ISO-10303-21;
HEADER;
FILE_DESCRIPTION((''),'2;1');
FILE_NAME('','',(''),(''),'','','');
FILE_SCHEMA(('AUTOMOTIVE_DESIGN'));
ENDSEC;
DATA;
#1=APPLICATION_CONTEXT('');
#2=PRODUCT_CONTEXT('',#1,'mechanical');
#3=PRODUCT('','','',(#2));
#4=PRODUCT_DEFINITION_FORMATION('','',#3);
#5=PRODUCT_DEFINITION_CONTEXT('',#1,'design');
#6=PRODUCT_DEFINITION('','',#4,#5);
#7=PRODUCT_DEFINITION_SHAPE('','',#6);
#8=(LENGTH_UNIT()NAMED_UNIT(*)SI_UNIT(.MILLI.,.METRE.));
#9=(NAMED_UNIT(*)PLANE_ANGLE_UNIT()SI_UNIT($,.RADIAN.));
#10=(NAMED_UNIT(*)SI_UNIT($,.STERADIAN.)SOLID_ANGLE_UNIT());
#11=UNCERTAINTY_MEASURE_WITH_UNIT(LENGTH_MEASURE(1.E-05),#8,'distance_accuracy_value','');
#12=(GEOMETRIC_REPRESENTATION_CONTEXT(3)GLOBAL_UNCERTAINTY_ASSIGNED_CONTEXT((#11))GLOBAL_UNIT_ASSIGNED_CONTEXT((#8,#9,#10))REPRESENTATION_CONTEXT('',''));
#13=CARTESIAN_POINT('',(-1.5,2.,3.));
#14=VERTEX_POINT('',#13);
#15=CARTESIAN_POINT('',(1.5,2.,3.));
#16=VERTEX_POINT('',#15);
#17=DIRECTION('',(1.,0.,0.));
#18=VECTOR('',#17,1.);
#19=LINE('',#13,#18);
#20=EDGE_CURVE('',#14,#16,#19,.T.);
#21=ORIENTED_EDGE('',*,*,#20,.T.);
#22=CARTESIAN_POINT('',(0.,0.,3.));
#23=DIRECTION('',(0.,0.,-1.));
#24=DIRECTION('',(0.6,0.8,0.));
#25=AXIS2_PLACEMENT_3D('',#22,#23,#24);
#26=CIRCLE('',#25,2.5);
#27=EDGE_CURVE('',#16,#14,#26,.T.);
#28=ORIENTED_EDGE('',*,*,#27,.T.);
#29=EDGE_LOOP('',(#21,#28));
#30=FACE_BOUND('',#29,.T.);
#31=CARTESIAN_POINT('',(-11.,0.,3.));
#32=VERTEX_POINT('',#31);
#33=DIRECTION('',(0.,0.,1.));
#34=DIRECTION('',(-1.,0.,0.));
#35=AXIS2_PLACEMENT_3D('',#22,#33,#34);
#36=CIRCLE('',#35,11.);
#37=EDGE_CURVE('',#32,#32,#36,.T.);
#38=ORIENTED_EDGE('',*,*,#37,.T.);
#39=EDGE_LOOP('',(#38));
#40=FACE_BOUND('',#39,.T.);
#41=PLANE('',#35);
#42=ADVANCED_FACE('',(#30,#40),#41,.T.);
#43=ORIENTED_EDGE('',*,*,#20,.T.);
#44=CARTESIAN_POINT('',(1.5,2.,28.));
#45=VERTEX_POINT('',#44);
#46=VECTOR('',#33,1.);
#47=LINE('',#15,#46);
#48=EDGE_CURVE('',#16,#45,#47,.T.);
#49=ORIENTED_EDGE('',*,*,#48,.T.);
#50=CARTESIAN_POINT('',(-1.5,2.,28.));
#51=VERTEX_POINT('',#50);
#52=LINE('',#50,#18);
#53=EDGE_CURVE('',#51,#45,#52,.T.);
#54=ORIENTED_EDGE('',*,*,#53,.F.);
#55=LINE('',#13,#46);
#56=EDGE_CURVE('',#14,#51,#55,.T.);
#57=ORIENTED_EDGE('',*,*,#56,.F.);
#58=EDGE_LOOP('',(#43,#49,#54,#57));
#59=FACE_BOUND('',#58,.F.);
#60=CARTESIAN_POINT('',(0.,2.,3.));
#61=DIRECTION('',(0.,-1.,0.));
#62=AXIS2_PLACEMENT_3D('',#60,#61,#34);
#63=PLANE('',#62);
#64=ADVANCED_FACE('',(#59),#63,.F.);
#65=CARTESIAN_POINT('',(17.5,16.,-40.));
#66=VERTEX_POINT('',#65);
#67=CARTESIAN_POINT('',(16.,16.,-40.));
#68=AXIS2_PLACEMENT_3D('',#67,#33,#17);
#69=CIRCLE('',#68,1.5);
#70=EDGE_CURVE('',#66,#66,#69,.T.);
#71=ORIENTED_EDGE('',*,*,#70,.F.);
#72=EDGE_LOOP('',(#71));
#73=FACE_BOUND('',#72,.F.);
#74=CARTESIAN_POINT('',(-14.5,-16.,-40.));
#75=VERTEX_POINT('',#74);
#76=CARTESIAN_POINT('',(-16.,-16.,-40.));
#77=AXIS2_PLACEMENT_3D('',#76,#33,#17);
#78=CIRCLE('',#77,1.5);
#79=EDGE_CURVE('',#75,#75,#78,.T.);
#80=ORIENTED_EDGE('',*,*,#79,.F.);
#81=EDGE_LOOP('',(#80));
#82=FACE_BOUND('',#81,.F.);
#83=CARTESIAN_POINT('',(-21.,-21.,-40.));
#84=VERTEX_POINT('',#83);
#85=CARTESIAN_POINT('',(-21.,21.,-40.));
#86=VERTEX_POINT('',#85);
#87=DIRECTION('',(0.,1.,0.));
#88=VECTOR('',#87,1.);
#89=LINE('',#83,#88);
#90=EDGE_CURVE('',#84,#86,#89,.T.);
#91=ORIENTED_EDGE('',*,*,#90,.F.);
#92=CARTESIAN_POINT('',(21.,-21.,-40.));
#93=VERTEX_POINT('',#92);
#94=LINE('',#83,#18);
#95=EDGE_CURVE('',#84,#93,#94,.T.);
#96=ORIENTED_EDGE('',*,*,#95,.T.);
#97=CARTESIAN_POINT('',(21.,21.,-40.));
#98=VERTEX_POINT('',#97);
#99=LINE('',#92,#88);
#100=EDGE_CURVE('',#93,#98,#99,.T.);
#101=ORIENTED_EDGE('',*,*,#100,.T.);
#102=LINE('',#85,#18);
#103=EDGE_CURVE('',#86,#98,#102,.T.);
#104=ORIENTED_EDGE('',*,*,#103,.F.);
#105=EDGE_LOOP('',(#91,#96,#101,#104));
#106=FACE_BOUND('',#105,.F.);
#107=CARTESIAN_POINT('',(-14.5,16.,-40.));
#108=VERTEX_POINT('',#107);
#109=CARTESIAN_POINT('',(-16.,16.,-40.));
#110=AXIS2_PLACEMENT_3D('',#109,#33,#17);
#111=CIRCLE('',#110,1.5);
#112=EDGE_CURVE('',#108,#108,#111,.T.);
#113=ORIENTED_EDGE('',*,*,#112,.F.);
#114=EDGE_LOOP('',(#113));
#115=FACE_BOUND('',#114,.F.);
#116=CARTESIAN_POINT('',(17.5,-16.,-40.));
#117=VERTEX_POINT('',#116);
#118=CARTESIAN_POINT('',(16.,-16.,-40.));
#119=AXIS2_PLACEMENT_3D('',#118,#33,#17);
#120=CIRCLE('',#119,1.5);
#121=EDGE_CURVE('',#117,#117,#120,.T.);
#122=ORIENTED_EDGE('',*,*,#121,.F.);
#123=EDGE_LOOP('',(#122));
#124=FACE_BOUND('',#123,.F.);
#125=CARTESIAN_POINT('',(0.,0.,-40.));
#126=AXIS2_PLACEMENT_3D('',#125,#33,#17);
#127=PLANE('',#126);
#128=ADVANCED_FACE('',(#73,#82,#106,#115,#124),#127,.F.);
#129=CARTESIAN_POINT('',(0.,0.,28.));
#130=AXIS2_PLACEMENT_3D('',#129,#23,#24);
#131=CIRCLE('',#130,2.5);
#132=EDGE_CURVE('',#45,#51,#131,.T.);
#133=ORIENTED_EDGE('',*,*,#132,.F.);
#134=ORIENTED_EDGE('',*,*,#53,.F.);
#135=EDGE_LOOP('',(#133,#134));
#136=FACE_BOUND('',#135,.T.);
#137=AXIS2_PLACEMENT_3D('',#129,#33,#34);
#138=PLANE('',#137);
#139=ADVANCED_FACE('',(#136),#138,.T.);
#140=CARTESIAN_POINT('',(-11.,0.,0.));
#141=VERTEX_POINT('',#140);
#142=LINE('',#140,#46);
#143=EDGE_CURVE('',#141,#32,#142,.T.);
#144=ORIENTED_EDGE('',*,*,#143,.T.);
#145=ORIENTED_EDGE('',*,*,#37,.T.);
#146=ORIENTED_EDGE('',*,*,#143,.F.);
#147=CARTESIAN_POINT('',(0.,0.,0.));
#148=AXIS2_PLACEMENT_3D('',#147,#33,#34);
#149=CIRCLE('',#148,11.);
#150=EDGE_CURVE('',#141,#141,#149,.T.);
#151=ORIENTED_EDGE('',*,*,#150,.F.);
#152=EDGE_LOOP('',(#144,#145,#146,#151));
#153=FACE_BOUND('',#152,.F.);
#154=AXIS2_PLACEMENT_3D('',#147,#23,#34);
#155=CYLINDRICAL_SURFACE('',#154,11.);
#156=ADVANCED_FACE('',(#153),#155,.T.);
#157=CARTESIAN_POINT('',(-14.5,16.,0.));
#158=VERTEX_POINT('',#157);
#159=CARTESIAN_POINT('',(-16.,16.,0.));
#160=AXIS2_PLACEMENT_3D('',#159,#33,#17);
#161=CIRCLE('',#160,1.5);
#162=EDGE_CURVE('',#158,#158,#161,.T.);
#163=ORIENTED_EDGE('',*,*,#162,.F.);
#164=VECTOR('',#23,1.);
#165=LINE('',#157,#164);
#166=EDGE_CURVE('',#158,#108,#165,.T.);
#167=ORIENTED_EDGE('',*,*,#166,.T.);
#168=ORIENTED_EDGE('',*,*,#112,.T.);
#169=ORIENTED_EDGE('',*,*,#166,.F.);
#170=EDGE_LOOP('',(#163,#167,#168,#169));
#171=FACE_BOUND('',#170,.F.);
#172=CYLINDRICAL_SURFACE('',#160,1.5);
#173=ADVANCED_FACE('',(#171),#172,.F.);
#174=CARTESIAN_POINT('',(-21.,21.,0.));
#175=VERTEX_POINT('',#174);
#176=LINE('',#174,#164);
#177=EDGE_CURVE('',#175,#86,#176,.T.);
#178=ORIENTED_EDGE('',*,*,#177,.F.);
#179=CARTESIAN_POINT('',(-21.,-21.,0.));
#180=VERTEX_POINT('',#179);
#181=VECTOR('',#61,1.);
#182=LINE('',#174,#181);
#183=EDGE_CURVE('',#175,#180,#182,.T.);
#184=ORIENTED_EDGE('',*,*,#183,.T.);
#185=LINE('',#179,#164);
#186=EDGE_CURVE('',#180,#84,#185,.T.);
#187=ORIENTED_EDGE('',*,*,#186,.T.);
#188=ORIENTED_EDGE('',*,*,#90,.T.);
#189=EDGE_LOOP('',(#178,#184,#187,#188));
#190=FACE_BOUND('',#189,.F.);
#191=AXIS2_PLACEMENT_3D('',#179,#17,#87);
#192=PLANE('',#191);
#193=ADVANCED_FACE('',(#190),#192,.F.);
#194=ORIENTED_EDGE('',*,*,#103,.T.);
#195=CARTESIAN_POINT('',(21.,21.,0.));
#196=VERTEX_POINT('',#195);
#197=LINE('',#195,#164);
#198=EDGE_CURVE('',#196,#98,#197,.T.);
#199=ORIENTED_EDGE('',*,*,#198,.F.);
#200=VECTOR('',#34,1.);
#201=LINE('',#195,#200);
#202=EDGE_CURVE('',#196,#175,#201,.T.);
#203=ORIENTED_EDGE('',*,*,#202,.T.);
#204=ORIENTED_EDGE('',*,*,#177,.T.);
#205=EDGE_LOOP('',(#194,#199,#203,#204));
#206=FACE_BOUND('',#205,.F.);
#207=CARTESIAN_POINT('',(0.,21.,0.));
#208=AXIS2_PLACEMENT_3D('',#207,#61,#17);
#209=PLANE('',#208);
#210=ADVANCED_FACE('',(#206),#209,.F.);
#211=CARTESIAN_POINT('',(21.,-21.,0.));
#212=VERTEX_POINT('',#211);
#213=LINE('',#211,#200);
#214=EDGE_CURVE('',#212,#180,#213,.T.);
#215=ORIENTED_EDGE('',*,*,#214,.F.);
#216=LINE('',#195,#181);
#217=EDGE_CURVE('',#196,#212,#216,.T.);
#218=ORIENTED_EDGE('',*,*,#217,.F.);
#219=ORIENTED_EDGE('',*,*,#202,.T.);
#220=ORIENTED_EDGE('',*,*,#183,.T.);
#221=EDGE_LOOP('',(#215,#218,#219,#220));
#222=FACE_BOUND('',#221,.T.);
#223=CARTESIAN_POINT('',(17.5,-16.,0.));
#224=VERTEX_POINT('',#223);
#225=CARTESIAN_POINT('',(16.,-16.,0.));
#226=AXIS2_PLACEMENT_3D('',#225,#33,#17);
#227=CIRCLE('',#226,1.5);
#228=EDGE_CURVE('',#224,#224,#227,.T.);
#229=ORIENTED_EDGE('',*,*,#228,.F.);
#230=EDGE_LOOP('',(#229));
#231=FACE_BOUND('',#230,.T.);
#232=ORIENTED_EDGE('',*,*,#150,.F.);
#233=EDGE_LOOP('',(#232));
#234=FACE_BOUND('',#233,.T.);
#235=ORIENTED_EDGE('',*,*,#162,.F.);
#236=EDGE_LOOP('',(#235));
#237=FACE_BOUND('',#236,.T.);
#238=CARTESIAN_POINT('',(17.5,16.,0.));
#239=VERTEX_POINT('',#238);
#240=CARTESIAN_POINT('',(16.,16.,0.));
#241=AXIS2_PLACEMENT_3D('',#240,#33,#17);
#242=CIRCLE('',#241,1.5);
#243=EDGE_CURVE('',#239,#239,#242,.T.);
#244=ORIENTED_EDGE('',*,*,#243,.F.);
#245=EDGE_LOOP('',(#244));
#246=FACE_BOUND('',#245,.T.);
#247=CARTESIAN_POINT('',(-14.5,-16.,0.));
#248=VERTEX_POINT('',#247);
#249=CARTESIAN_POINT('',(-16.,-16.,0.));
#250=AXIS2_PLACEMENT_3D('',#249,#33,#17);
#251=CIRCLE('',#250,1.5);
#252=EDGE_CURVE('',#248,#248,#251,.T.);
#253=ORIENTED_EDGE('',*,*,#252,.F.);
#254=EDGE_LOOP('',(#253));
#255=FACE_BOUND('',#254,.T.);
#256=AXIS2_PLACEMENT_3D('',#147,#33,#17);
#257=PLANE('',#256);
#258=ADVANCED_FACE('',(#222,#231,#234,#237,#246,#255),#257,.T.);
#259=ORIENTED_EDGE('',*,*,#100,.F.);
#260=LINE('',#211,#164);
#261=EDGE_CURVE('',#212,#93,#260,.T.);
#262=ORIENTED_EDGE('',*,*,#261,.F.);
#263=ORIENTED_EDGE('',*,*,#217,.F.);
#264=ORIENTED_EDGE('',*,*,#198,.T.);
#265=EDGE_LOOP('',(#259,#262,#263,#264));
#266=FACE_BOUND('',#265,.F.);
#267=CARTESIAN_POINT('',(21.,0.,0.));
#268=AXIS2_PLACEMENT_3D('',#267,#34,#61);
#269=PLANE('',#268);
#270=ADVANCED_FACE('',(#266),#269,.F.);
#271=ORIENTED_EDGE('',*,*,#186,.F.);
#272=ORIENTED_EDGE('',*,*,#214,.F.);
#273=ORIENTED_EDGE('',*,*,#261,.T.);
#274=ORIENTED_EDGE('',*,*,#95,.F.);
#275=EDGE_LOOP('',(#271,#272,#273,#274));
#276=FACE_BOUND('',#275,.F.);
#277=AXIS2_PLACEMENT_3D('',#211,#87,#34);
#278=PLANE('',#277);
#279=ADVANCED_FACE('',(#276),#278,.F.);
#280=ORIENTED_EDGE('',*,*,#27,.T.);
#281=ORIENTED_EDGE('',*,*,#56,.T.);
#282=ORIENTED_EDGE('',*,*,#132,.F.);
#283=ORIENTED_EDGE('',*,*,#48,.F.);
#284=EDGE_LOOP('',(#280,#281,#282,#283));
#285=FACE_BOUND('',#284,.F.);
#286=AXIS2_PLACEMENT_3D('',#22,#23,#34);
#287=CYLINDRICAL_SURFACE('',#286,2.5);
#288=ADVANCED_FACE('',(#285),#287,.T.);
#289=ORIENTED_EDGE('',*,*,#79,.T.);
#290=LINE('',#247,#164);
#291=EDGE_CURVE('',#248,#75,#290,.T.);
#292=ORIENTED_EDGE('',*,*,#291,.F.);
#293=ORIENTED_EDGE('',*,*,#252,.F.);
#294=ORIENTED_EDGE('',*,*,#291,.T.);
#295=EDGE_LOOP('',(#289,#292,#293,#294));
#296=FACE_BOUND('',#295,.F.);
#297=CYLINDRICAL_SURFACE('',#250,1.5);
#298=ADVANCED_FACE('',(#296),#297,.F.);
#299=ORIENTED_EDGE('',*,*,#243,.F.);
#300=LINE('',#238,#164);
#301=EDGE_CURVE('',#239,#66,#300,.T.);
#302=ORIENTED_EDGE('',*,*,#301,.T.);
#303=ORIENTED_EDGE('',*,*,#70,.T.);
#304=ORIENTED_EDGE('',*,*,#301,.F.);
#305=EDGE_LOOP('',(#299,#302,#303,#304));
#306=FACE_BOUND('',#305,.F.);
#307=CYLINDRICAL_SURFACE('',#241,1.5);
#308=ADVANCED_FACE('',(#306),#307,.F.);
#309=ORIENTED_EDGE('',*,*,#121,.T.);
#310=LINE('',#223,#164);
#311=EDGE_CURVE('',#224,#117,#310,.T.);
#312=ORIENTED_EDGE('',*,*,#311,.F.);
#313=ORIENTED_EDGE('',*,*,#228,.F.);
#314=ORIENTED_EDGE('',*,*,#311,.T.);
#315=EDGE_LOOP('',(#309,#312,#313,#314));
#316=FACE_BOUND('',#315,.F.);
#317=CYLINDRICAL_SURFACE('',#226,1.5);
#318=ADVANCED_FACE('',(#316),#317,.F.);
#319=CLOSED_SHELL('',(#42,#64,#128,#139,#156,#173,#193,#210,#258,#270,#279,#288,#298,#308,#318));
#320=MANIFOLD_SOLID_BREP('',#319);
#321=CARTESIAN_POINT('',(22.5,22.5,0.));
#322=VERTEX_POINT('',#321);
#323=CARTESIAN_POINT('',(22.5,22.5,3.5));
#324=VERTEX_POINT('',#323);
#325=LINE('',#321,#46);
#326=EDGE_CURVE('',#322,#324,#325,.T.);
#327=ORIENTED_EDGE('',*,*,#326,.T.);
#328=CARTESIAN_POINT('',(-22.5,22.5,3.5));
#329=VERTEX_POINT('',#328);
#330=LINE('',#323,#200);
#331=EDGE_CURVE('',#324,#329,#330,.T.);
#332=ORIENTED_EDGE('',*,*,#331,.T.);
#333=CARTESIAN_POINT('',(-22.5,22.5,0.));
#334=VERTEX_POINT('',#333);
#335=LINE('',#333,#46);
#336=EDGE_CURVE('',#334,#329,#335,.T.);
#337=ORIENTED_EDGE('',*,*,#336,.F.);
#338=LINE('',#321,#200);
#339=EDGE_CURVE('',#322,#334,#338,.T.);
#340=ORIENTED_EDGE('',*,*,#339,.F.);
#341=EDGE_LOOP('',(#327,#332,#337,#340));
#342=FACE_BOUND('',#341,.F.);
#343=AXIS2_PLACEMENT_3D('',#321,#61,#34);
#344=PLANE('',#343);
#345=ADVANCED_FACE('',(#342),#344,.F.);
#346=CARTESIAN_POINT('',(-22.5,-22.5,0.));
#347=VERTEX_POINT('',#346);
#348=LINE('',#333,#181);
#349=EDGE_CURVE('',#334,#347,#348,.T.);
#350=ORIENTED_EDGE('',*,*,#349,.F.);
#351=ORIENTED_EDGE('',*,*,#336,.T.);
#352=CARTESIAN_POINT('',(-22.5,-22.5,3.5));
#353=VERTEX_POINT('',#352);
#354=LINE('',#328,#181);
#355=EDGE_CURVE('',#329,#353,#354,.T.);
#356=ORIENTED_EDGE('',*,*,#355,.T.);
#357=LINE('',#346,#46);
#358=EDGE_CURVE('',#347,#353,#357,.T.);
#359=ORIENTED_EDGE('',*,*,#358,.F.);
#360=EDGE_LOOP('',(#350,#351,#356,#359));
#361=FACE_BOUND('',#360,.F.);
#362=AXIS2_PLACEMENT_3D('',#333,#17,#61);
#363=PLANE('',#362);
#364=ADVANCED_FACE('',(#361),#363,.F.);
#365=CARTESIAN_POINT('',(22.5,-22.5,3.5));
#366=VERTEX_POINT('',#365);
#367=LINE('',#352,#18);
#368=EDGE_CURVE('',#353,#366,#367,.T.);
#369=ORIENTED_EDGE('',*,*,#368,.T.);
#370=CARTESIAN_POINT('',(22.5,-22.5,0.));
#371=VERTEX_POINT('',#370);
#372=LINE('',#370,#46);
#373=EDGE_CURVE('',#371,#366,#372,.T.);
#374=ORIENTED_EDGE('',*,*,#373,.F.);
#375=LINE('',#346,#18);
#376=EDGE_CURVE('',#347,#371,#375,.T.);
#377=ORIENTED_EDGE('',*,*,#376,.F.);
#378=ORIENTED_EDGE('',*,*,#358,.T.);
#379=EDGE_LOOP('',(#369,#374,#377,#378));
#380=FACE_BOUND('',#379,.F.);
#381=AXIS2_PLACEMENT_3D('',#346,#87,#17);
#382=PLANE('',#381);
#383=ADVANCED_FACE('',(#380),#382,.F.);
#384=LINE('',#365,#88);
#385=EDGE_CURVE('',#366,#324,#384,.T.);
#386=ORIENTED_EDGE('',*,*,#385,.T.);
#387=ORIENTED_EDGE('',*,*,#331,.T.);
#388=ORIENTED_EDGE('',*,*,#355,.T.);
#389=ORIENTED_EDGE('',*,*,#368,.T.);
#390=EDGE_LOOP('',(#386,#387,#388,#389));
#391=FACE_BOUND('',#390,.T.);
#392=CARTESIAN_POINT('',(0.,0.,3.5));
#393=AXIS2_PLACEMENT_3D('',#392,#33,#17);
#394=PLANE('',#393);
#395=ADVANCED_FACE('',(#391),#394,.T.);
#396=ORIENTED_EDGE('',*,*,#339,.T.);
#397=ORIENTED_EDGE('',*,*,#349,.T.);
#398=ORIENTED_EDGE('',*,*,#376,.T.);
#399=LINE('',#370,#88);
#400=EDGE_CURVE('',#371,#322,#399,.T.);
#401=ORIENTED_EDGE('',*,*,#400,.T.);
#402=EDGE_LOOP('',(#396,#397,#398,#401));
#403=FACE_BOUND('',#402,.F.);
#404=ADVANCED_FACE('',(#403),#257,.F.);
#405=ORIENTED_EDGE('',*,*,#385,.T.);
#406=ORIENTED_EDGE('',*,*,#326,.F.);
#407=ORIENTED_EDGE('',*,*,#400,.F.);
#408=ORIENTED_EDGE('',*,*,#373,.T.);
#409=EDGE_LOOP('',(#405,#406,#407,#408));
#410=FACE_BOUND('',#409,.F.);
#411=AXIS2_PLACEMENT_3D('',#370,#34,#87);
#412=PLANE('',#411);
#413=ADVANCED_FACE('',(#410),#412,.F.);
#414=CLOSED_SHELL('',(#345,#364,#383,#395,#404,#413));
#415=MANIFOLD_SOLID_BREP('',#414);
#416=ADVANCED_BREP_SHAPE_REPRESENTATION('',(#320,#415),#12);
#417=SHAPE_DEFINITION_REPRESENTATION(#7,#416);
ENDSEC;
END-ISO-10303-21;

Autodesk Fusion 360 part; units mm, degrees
sketch "Sketch1" plane through (0, 0, 0) normal (0, 0, 1) x (1, 0, 0)
  line L0 (21, -21) -> (-21, -21)
  line L1 (-21, -21) -> (-21, 21)
  line L2 (-21, 21) -> (21, 21)
  line L3 (21, 21) -> (21, -21)
  line L4 (21, -21) -> (-21, 21) construction
  line L5 (-21, -21) -> (21, 21) construction
  circle A0 centre (16, -16) radius 1.5
  line L6 (0, 0) -> (21, 0)
  line L7 (0, 0) -> (0, -21)
  line L8 (0, 0) -> (0, 21)
  line L9 (0, 0) -> (-21, 0)
  circle A1 centre (16, 16) radius 1.5
  circle A2 centre (-16, -16) radius 1.5
  circle A3 centre (-16, 16) radius 1.5
  dimension "d1" = 42
  dimension "d2" = 42
  dimension "d3" = 3
  dimension "d4" = 5
  dimension "d5" = 5
extrude "Extrude1" add sketch "Sketch1" against normal blind 40 makes body 1
sketch "Sketch2" plane through (0, 0, 0) normal (0, 0, 1) x (-1, 0, 0)
  circle A0 centre (16, -16) radius 1.5
  circle A1 centre (-16, -16) radius 1.5
  circle A2 centre (-16, 16) radius 1.5
  circle A3 centre (16, 16) radius 1.5
  line L0 (-21, -21) -> (21, -21)
  line L1 (21, -21) -> (21, 21)
  line L2 (21, 21) -> (-21, 21)
  line L3 (-21, 21) -> (-21, -21)
  circle A4 centre (0, 0) radius 11
  dimension "d8" = 22
extrude "Extrude2" add sketch "Sketch2" along normal blind 3 contours A4 bodies 1
sketch "Sketch3" plane through (0, 0, 3) normal (0, 0, 1) x (-1, 0, 0)
  circle A0 centre (0, 0) radius 11
  circle A1 centre (0, 0) radius 2.5
  circle A2 centre (0, 0) radius 2
  line L0 (0, -2) -> (1.5, -2)
  line L1 (-1.5, -2) -> (0, -2)
  line L2 (0, 0) -> (0, -2.5)
  dimension "d11" = 5
  dimension "d12" = 4
extrude "Extrude3" add sketch "Sketch3" along normal blind 25 contours A2 | A1 L0 L1 bodies 1
sketch "Sketch4" plane through (0, 0, 0) normal (0, 1, 0) x (1, 0, 0)
sketch "Sketch5" plane through (0, 0, 0) normal (0, 0, 1) x (1, 0, 0)
sketch "Sketch1 (2)" plane through (0, 0, 0) normal (0, 0, 1) x (1, 0, 0) in component "Component"
  line L0 (21.25, 21.25) -> (-21.25, 21.25)
  line L1 (-21.25, 21.25) -> (-21.25, -21.25)
  line L2 (-21.25, -21.25) -> (21.25, -21.25)
  line L3 (21.25, -21.25) -> (21.25, 21.25)
  line L4 (21.25, 21.25) -> (-21.25, -21.25) construction
  line L5 (-21.25, 21.25) -> (21.25, -21.25) construction
  line L6 (22.5, 22.5) -> (-22.5, 22.5)
  line L7 (-22.5, 22.5) -> (-22.5, -22.5)
  line L8 (-22.5, -22.5) -> (22.5, -22.5)
  line L9 (22.5, -22.5) -> (22.5, 22.5)
  line L10 (22.5, 22.5) -> (-22.5, -22.5) construction
  line L11 (-22.5, 22.5) -> (22.5, -22.5) construction
  line L12 (0, 0) -> (0, -21.25)
  line L13 (0, 0) -> (-21.25, 0)
  line L14 (0, 0) -> (0, 21.25)
  line L15 (0, 0) -> (21.25, 0)
  circle A0 centre (17.5, -17.5) radius 1.5
  circle A1 centre (-17.5, -17.5) radius 1.5
  circle A2 centre (17.5, 17.5) radius 1.5
  circle A3 centre (-17.5, 17.5) radius 1.5
  dimension "d15" = 42.5
  dimension "d16" = 42.5
  dimension "d17" = 45
  dimension "d18" = 45
  dimension "d21" = 3
  dimension "d22" = 3.75
extrude "Extrude1'" add sketch "Sketch1 (2)" along normal blind 3.5 separate body contours L0 L3 L14 L15 | L0 L1 L13 L14 | L2 L3 L12 L15 | L1 L2 L12 L13 | L6 L7 L8 L9 | A0 | A1 | A2 | A3 makes body 2 in component "Component"
component "Component" placed x (1, 0, 0) y (0, 1, 0) z (0, 0, 1) at (0, 0, 0)
